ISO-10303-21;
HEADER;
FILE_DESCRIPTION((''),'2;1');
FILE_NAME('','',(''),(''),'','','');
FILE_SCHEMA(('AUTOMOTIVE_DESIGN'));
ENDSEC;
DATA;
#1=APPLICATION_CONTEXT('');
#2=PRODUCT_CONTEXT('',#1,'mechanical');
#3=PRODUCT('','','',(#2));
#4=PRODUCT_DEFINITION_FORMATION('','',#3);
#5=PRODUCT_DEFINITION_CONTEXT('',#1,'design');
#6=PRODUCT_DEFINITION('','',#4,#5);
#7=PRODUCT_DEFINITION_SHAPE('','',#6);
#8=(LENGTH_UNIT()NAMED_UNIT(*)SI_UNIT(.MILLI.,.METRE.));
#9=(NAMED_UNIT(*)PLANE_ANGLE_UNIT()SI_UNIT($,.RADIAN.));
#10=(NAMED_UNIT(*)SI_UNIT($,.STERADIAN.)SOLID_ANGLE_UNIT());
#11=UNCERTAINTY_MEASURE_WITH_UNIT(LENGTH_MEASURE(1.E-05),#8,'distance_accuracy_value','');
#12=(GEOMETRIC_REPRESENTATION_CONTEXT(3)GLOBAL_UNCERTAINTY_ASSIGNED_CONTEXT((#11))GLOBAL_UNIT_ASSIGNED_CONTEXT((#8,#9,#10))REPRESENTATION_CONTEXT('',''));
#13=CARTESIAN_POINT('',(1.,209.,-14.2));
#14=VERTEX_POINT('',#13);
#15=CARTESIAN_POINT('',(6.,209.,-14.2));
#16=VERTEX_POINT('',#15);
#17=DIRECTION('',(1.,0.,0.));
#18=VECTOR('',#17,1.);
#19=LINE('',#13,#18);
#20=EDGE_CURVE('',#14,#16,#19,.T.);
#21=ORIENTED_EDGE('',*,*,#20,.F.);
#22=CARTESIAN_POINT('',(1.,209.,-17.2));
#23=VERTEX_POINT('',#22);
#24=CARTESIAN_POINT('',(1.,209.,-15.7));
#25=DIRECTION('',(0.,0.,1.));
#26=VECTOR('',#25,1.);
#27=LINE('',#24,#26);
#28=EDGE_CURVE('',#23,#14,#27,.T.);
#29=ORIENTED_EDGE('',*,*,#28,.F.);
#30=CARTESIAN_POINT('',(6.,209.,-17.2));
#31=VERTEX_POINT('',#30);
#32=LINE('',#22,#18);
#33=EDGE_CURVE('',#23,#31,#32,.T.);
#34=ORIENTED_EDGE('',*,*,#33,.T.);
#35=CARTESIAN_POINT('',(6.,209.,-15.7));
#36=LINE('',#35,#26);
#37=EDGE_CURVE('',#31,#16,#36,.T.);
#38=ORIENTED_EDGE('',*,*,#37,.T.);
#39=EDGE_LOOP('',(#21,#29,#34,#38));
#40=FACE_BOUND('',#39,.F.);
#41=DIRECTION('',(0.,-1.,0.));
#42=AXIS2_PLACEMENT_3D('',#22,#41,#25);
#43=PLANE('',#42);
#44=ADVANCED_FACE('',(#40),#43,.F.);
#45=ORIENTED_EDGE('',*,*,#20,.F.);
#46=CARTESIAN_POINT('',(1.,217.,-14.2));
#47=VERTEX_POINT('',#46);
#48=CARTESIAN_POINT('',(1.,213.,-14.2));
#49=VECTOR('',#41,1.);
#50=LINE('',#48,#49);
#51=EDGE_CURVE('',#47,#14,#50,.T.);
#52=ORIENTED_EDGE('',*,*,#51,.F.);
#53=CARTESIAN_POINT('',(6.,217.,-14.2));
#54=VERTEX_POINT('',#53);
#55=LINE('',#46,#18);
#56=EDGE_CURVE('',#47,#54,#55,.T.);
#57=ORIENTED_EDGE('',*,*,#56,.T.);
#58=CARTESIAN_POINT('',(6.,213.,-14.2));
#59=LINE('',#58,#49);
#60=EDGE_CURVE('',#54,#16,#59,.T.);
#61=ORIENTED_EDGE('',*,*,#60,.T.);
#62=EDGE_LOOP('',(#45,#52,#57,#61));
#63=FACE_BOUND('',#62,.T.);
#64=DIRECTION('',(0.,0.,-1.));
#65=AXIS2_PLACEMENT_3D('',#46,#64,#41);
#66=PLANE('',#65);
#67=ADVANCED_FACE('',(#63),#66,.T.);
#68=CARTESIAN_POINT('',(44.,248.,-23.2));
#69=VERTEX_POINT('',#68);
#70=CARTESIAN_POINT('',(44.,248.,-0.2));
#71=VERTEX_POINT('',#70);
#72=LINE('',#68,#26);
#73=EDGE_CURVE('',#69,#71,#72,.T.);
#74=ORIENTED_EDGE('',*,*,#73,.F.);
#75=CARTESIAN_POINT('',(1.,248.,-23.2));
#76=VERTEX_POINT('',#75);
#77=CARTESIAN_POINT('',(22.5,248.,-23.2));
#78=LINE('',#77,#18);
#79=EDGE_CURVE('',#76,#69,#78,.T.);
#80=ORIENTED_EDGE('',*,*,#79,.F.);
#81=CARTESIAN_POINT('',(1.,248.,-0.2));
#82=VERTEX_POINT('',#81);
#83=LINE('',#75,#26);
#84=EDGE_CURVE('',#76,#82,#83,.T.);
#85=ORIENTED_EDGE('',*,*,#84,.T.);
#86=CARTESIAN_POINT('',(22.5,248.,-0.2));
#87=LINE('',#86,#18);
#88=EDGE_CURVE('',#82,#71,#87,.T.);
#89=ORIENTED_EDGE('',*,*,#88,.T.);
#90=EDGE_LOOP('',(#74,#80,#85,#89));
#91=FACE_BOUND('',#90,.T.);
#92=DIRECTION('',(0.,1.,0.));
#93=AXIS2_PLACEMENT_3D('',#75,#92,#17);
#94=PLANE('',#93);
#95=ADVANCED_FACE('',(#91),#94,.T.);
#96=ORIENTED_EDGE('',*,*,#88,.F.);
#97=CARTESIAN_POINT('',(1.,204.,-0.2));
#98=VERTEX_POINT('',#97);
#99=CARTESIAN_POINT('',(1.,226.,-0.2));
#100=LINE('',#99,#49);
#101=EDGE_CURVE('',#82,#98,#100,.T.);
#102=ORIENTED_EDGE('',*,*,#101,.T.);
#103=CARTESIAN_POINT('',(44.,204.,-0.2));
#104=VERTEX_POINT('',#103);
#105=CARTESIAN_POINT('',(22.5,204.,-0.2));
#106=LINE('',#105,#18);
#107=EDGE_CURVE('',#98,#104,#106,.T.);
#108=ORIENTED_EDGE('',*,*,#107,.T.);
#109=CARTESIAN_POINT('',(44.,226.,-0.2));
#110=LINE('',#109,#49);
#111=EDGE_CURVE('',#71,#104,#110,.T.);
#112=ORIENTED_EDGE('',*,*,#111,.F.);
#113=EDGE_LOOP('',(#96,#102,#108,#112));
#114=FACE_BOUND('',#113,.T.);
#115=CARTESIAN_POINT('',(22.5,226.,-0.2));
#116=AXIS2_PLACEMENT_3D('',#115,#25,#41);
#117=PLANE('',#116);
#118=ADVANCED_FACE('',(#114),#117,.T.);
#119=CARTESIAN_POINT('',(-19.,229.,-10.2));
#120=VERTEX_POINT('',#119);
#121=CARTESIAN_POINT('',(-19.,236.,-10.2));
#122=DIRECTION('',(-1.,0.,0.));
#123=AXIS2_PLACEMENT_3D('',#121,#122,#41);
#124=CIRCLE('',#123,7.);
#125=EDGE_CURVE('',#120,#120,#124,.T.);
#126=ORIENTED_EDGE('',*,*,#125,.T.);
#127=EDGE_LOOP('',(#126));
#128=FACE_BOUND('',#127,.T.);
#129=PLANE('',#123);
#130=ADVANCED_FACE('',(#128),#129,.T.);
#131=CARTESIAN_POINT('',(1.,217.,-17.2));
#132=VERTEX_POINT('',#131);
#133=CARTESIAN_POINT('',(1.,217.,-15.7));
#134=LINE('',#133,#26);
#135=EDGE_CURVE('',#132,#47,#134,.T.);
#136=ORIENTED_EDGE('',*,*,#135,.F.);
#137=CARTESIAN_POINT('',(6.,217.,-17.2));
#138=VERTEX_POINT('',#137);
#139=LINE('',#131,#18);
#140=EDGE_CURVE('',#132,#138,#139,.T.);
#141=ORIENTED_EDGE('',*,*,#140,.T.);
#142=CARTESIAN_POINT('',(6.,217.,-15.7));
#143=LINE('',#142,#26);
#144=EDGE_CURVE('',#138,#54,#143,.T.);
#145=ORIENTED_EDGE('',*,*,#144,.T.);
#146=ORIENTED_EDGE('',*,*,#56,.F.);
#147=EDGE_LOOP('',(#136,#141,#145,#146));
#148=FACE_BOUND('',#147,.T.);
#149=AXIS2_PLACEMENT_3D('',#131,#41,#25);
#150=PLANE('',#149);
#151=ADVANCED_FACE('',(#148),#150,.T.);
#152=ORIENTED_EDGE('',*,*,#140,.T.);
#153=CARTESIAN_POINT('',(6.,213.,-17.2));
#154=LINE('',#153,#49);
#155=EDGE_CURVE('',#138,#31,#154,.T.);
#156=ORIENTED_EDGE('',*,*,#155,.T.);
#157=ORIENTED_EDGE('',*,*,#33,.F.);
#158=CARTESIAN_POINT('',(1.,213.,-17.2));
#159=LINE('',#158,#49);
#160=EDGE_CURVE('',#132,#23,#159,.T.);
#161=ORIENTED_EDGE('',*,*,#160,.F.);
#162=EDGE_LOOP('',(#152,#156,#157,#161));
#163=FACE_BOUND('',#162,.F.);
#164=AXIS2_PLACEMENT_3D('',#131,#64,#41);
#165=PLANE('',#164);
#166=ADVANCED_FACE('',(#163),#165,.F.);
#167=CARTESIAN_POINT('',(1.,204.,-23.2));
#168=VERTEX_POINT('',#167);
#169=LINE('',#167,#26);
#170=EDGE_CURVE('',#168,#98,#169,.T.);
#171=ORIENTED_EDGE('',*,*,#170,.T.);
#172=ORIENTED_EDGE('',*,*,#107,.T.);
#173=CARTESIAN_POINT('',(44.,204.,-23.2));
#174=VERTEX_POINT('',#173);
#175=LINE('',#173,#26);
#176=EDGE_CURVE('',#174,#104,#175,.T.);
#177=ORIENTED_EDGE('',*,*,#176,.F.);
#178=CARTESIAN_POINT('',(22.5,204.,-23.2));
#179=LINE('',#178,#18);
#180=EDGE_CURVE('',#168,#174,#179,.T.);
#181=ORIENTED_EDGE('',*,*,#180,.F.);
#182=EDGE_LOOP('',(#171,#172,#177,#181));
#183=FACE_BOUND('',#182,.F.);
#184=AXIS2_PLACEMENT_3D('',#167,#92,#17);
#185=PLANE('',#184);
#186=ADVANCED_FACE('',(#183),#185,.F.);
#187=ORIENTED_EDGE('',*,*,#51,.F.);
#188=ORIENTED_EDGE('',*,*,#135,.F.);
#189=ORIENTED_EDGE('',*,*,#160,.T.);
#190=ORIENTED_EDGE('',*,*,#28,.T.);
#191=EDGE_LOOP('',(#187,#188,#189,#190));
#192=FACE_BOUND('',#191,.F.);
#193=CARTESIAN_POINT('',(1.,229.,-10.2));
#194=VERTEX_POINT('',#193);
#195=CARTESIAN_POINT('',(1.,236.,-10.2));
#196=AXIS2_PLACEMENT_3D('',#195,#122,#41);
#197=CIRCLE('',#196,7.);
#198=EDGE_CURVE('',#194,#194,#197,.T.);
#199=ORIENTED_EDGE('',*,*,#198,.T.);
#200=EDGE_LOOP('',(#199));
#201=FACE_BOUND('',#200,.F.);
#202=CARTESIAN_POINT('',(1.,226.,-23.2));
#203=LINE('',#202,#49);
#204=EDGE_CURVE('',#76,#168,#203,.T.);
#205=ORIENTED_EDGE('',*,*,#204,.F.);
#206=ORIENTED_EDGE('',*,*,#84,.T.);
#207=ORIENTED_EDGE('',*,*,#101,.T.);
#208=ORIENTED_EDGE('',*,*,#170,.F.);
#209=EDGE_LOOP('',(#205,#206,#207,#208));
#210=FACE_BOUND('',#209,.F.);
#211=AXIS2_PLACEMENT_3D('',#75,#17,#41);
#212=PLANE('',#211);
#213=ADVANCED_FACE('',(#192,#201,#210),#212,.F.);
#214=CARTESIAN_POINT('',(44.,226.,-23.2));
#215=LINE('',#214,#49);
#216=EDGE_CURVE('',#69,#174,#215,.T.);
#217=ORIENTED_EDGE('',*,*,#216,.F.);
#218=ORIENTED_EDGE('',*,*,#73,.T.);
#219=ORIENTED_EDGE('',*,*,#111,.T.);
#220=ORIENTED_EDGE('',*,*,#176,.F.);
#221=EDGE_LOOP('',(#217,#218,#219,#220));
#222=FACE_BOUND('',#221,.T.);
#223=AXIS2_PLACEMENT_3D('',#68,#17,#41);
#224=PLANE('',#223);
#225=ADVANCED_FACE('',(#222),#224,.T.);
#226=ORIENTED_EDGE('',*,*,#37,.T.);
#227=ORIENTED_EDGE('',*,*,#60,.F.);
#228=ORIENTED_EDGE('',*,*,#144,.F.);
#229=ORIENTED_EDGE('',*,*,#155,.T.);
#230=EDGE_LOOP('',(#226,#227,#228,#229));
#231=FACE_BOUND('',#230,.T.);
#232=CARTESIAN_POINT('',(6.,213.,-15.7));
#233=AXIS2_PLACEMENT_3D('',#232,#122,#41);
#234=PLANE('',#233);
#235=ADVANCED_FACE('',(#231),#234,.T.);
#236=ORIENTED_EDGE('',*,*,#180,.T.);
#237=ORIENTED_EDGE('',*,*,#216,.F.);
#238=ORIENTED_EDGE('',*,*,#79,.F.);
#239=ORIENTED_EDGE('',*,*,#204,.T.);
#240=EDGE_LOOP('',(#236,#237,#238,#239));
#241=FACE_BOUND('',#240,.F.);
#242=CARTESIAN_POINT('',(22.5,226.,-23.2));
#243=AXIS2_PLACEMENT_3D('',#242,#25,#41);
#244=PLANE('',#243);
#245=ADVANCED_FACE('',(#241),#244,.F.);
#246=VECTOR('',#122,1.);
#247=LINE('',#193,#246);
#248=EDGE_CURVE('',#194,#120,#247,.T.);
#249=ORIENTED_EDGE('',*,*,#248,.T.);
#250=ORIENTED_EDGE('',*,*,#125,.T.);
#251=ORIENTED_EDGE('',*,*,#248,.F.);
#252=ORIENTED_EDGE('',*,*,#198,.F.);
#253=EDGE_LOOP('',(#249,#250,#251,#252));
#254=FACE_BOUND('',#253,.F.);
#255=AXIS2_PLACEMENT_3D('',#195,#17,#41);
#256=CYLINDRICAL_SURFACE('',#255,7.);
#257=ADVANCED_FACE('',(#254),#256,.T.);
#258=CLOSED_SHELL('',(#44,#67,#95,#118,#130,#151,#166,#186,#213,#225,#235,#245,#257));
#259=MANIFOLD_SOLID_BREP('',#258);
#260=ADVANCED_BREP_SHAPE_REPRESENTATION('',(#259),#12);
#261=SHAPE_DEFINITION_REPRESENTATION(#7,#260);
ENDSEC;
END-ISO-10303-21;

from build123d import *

# Parameters (mm, degrees)
SKETCH009_W             = 44
SKETCH009_H             = 43
PAD006_DEPTH            = 23
SKETCH010_R             = 7
PAD007_DEPTH            = 20
SKETCH011_W             = 8
SKETCH011_H             = 3
POCKET002_DEPTH         = 5
BODY005_PLACEMENT_ANGLE = -90


with BuildPart() as part:
    # Sketch009 → Pad006 (new body)
    with BuildSketch(Plane.XY):
        with Locations((22, 21.5)):
            Rectangle(SKETCH009_W, SKETCH009_H)
    extrude(amount=PAD006_DEPTH)

    # Sketch010 (on Face1 of Pad006) → Pad007 (join)
    with BuildSketch(Plane.XZ):
        with Locations((12, 13)):
            Circle(SKETCH010_R)
    extrude(amount=PAD007_DEPTH)

    # Sketch011 (on Face3 of Pad007) → Pocket002 (cut)
    with BuildSketch(Plane.XZ):
        with Locations((35, 7.5)):
            Rectangle(SKETCH011_W, SKETCH011_H)
    extrude(amount=-POCKET002_DEPTH, mode=Mode.SUBTRACT)


with BuildPart() as part_1:
    # Body005 placement: moved
    add(part.part.moved(Location((1, 248, -23.2))).rotate(Axis((1, 248, -23.2), (0, 0, 1)), BODY005_PLACEMENT_ANGLE))


solid = part_1.part
